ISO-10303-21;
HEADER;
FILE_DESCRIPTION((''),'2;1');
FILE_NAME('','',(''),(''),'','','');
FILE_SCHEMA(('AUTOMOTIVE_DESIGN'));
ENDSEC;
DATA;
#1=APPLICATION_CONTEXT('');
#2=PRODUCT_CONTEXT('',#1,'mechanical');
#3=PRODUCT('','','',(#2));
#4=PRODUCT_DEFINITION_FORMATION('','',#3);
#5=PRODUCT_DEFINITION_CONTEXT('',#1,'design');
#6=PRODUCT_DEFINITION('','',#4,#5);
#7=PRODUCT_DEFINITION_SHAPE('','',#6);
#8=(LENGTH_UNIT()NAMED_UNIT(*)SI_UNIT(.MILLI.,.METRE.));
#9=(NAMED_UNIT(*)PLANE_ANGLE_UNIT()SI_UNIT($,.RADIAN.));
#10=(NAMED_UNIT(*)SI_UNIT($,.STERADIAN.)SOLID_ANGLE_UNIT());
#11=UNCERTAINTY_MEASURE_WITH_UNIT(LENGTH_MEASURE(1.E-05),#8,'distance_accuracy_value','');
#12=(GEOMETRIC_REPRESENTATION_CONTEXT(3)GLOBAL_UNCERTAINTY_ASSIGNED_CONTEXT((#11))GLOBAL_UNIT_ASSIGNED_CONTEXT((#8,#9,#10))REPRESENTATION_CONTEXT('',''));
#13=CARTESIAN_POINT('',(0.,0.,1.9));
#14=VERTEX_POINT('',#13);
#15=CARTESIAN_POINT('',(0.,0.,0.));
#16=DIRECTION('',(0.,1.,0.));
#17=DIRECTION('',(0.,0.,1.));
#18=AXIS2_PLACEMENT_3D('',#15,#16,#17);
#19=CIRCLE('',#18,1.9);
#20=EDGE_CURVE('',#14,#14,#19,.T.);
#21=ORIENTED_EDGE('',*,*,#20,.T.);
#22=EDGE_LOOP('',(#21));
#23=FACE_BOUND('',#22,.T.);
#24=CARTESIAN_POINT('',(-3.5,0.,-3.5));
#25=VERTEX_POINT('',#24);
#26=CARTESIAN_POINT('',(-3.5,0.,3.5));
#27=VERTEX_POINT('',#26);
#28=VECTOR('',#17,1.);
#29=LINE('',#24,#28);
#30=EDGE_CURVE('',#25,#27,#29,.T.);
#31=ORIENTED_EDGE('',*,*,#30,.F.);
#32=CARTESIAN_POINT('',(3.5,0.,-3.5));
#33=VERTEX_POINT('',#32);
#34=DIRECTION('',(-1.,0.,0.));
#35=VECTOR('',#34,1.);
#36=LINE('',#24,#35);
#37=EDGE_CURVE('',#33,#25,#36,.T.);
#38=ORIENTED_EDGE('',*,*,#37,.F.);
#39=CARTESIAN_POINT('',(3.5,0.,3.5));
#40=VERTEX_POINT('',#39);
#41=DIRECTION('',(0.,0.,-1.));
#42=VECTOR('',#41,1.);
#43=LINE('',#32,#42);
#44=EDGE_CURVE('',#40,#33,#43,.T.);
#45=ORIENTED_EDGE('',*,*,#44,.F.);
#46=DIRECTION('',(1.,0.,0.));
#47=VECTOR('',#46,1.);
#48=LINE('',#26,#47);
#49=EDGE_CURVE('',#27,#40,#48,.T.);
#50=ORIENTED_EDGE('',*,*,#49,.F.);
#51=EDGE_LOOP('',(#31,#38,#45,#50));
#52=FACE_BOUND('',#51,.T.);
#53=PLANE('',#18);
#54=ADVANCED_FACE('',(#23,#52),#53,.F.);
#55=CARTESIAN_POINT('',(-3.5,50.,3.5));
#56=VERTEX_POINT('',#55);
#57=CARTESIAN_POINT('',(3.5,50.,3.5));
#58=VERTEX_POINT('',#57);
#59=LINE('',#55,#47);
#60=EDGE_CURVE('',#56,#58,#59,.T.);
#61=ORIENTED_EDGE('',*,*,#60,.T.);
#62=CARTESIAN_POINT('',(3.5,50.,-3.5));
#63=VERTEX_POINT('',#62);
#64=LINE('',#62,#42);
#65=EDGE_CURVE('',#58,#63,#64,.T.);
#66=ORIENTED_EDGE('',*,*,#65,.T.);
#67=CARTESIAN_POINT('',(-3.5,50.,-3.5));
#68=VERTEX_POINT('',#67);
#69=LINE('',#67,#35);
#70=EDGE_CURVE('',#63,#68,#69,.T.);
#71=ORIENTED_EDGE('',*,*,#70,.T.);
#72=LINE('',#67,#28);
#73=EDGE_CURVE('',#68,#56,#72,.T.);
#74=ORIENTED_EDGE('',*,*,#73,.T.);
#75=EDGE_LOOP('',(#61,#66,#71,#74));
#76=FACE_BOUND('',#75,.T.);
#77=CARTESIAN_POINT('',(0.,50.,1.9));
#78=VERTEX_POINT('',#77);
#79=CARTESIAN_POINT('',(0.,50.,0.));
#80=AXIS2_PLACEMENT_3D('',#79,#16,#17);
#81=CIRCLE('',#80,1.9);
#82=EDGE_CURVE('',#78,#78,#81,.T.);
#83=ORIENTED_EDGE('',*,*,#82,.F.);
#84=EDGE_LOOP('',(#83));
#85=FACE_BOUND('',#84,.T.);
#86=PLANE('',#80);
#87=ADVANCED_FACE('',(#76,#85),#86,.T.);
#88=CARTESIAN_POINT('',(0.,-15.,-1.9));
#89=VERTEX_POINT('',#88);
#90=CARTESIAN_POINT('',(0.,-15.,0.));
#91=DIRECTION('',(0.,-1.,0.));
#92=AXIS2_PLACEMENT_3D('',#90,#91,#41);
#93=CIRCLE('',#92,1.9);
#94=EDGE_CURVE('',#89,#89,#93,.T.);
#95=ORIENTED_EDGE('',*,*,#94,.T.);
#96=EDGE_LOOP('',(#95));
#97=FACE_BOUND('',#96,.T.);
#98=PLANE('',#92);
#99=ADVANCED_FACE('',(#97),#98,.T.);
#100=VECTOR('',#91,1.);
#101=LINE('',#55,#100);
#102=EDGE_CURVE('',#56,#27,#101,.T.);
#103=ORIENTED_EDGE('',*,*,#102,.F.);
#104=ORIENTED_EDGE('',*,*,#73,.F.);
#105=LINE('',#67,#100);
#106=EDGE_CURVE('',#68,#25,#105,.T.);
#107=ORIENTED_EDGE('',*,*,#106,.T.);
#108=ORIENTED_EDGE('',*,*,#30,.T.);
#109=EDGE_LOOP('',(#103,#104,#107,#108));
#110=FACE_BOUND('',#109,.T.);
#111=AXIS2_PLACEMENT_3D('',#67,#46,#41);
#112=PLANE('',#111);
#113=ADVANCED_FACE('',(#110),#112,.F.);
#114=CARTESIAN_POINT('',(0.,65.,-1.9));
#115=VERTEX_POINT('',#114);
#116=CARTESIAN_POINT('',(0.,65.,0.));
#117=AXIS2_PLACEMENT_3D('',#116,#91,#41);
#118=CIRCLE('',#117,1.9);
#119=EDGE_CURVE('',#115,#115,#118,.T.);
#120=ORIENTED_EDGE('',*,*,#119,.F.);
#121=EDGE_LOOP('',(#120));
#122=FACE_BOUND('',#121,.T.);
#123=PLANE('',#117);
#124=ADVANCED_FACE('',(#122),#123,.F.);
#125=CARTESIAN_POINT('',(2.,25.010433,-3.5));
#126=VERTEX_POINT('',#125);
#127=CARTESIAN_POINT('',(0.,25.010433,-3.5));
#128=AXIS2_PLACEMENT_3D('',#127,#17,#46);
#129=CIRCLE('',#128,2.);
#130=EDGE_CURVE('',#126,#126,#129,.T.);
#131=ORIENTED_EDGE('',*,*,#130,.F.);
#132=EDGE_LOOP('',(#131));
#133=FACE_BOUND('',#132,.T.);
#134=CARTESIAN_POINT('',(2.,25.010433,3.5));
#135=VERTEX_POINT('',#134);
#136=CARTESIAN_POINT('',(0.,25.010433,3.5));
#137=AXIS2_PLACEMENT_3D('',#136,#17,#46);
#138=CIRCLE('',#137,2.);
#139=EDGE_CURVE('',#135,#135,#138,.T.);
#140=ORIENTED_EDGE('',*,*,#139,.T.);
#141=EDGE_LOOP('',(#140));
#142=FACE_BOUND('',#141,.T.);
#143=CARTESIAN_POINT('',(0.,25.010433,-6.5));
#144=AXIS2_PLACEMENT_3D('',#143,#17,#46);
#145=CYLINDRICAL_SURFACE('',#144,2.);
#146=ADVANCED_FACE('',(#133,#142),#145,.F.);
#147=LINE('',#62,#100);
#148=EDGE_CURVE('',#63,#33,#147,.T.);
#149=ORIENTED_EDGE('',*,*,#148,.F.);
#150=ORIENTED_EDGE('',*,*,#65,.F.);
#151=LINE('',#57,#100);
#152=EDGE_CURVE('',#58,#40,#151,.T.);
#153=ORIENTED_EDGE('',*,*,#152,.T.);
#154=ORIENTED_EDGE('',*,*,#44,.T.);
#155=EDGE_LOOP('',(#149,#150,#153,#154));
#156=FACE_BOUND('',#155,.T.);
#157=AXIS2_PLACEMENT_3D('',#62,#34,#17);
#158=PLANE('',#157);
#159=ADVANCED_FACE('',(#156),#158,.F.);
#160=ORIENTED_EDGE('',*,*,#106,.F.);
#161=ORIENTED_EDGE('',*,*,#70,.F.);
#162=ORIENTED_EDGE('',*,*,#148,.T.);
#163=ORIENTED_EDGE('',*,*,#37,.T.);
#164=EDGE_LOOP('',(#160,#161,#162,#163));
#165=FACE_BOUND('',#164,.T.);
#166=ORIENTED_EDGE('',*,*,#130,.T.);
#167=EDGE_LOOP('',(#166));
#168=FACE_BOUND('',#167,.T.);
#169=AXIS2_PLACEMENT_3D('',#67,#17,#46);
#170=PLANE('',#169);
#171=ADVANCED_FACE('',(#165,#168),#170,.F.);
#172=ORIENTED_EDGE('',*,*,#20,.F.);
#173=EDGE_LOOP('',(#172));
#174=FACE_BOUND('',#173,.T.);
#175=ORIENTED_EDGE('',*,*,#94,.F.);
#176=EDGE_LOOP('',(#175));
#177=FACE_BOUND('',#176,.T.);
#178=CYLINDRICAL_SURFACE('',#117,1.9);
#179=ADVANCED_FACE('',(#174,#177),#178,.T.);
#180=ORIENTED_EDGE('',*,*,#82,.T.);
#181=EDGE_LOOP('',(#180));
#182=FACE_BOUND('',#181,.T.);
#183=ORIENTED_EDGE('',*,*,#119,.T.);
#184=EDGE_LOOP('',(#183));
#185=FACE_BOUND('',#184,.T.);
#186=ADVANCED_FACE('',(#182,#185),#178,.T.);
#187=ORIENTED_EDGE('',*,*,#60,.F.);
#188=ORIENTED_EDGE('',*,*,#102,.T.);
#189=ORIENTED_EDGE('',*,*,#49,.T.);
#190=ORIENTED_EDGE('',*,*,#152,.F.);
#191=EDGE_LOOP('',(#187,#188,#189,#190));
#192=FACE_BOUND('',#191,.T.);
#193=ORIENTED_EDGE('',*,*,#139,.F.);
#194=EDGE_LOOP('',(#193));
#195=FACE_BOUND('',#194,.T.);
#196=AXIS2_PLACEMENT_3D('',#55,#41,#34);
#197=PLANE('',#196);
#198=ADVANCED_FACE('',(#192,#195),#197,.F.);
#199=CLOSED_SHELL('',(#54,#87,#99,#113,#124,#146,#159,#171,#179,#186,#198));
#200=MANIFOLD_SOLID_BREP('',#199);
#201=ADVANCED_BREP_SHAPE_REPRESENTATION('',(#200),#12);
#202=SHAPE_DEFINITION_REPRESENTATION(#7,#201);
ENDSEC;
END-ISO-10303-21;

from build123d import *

# Parameters (mm, degrees)
SKETCH2_W                = 7
SKETCH2_H                = 7
BOSS_EXTRUDE1_DEPTH      = 50
BOSS_EXTRUDE3_DEPTH      = 15
BOSS_EXTRUDE3_DEPTH_BACK = 65
SKETCH3_R                = 1.9
SKETCH4_R                = 2
CUT_EXTRUDE1_DEPTH       = 10


with BuildPart() as part:
    # Sketch2 → Boss-Extrude1 (new body)
    with BuildSketch(Plane(origin=(0, 0, 0), x_dir=(1, 0, 0), z_dir=(0, 1, 0))):
        Rectangle(SKETCH2_W, SKETCH2_H)
    extrude(amount=BOSS_EXTRUDE1_DEPTH)

    # Sketch3 → Boss-Extrude3 (add, two sides: drawn at the far end of the back side and taken through both)
    with BuildSketch(Plane.XZ.offset(-BOSS_EXTRUDE3_DEPTH_BACK)):
        with Locations(Location((0, 0, 0), (0, 0, 270))):
            Circle(SKETCH3_R)
    extrude(amount=BOSS_EXTRUDE3_DEPTH + BOSS_EXTRUDE3_DEPTH_BACK)

    # Sketch4 → Cut-Extrude1 (cut)
    with BuildSketch(Plane.XY.offset(3.5)):
        with Locations((0, 25.010433152)):
            Circle(SKETCH4_R)
    extrude(amount=-CUT_EXTRUDE1_DEPTH, mode=Mode.SUBTRACT)


solid = part.part
